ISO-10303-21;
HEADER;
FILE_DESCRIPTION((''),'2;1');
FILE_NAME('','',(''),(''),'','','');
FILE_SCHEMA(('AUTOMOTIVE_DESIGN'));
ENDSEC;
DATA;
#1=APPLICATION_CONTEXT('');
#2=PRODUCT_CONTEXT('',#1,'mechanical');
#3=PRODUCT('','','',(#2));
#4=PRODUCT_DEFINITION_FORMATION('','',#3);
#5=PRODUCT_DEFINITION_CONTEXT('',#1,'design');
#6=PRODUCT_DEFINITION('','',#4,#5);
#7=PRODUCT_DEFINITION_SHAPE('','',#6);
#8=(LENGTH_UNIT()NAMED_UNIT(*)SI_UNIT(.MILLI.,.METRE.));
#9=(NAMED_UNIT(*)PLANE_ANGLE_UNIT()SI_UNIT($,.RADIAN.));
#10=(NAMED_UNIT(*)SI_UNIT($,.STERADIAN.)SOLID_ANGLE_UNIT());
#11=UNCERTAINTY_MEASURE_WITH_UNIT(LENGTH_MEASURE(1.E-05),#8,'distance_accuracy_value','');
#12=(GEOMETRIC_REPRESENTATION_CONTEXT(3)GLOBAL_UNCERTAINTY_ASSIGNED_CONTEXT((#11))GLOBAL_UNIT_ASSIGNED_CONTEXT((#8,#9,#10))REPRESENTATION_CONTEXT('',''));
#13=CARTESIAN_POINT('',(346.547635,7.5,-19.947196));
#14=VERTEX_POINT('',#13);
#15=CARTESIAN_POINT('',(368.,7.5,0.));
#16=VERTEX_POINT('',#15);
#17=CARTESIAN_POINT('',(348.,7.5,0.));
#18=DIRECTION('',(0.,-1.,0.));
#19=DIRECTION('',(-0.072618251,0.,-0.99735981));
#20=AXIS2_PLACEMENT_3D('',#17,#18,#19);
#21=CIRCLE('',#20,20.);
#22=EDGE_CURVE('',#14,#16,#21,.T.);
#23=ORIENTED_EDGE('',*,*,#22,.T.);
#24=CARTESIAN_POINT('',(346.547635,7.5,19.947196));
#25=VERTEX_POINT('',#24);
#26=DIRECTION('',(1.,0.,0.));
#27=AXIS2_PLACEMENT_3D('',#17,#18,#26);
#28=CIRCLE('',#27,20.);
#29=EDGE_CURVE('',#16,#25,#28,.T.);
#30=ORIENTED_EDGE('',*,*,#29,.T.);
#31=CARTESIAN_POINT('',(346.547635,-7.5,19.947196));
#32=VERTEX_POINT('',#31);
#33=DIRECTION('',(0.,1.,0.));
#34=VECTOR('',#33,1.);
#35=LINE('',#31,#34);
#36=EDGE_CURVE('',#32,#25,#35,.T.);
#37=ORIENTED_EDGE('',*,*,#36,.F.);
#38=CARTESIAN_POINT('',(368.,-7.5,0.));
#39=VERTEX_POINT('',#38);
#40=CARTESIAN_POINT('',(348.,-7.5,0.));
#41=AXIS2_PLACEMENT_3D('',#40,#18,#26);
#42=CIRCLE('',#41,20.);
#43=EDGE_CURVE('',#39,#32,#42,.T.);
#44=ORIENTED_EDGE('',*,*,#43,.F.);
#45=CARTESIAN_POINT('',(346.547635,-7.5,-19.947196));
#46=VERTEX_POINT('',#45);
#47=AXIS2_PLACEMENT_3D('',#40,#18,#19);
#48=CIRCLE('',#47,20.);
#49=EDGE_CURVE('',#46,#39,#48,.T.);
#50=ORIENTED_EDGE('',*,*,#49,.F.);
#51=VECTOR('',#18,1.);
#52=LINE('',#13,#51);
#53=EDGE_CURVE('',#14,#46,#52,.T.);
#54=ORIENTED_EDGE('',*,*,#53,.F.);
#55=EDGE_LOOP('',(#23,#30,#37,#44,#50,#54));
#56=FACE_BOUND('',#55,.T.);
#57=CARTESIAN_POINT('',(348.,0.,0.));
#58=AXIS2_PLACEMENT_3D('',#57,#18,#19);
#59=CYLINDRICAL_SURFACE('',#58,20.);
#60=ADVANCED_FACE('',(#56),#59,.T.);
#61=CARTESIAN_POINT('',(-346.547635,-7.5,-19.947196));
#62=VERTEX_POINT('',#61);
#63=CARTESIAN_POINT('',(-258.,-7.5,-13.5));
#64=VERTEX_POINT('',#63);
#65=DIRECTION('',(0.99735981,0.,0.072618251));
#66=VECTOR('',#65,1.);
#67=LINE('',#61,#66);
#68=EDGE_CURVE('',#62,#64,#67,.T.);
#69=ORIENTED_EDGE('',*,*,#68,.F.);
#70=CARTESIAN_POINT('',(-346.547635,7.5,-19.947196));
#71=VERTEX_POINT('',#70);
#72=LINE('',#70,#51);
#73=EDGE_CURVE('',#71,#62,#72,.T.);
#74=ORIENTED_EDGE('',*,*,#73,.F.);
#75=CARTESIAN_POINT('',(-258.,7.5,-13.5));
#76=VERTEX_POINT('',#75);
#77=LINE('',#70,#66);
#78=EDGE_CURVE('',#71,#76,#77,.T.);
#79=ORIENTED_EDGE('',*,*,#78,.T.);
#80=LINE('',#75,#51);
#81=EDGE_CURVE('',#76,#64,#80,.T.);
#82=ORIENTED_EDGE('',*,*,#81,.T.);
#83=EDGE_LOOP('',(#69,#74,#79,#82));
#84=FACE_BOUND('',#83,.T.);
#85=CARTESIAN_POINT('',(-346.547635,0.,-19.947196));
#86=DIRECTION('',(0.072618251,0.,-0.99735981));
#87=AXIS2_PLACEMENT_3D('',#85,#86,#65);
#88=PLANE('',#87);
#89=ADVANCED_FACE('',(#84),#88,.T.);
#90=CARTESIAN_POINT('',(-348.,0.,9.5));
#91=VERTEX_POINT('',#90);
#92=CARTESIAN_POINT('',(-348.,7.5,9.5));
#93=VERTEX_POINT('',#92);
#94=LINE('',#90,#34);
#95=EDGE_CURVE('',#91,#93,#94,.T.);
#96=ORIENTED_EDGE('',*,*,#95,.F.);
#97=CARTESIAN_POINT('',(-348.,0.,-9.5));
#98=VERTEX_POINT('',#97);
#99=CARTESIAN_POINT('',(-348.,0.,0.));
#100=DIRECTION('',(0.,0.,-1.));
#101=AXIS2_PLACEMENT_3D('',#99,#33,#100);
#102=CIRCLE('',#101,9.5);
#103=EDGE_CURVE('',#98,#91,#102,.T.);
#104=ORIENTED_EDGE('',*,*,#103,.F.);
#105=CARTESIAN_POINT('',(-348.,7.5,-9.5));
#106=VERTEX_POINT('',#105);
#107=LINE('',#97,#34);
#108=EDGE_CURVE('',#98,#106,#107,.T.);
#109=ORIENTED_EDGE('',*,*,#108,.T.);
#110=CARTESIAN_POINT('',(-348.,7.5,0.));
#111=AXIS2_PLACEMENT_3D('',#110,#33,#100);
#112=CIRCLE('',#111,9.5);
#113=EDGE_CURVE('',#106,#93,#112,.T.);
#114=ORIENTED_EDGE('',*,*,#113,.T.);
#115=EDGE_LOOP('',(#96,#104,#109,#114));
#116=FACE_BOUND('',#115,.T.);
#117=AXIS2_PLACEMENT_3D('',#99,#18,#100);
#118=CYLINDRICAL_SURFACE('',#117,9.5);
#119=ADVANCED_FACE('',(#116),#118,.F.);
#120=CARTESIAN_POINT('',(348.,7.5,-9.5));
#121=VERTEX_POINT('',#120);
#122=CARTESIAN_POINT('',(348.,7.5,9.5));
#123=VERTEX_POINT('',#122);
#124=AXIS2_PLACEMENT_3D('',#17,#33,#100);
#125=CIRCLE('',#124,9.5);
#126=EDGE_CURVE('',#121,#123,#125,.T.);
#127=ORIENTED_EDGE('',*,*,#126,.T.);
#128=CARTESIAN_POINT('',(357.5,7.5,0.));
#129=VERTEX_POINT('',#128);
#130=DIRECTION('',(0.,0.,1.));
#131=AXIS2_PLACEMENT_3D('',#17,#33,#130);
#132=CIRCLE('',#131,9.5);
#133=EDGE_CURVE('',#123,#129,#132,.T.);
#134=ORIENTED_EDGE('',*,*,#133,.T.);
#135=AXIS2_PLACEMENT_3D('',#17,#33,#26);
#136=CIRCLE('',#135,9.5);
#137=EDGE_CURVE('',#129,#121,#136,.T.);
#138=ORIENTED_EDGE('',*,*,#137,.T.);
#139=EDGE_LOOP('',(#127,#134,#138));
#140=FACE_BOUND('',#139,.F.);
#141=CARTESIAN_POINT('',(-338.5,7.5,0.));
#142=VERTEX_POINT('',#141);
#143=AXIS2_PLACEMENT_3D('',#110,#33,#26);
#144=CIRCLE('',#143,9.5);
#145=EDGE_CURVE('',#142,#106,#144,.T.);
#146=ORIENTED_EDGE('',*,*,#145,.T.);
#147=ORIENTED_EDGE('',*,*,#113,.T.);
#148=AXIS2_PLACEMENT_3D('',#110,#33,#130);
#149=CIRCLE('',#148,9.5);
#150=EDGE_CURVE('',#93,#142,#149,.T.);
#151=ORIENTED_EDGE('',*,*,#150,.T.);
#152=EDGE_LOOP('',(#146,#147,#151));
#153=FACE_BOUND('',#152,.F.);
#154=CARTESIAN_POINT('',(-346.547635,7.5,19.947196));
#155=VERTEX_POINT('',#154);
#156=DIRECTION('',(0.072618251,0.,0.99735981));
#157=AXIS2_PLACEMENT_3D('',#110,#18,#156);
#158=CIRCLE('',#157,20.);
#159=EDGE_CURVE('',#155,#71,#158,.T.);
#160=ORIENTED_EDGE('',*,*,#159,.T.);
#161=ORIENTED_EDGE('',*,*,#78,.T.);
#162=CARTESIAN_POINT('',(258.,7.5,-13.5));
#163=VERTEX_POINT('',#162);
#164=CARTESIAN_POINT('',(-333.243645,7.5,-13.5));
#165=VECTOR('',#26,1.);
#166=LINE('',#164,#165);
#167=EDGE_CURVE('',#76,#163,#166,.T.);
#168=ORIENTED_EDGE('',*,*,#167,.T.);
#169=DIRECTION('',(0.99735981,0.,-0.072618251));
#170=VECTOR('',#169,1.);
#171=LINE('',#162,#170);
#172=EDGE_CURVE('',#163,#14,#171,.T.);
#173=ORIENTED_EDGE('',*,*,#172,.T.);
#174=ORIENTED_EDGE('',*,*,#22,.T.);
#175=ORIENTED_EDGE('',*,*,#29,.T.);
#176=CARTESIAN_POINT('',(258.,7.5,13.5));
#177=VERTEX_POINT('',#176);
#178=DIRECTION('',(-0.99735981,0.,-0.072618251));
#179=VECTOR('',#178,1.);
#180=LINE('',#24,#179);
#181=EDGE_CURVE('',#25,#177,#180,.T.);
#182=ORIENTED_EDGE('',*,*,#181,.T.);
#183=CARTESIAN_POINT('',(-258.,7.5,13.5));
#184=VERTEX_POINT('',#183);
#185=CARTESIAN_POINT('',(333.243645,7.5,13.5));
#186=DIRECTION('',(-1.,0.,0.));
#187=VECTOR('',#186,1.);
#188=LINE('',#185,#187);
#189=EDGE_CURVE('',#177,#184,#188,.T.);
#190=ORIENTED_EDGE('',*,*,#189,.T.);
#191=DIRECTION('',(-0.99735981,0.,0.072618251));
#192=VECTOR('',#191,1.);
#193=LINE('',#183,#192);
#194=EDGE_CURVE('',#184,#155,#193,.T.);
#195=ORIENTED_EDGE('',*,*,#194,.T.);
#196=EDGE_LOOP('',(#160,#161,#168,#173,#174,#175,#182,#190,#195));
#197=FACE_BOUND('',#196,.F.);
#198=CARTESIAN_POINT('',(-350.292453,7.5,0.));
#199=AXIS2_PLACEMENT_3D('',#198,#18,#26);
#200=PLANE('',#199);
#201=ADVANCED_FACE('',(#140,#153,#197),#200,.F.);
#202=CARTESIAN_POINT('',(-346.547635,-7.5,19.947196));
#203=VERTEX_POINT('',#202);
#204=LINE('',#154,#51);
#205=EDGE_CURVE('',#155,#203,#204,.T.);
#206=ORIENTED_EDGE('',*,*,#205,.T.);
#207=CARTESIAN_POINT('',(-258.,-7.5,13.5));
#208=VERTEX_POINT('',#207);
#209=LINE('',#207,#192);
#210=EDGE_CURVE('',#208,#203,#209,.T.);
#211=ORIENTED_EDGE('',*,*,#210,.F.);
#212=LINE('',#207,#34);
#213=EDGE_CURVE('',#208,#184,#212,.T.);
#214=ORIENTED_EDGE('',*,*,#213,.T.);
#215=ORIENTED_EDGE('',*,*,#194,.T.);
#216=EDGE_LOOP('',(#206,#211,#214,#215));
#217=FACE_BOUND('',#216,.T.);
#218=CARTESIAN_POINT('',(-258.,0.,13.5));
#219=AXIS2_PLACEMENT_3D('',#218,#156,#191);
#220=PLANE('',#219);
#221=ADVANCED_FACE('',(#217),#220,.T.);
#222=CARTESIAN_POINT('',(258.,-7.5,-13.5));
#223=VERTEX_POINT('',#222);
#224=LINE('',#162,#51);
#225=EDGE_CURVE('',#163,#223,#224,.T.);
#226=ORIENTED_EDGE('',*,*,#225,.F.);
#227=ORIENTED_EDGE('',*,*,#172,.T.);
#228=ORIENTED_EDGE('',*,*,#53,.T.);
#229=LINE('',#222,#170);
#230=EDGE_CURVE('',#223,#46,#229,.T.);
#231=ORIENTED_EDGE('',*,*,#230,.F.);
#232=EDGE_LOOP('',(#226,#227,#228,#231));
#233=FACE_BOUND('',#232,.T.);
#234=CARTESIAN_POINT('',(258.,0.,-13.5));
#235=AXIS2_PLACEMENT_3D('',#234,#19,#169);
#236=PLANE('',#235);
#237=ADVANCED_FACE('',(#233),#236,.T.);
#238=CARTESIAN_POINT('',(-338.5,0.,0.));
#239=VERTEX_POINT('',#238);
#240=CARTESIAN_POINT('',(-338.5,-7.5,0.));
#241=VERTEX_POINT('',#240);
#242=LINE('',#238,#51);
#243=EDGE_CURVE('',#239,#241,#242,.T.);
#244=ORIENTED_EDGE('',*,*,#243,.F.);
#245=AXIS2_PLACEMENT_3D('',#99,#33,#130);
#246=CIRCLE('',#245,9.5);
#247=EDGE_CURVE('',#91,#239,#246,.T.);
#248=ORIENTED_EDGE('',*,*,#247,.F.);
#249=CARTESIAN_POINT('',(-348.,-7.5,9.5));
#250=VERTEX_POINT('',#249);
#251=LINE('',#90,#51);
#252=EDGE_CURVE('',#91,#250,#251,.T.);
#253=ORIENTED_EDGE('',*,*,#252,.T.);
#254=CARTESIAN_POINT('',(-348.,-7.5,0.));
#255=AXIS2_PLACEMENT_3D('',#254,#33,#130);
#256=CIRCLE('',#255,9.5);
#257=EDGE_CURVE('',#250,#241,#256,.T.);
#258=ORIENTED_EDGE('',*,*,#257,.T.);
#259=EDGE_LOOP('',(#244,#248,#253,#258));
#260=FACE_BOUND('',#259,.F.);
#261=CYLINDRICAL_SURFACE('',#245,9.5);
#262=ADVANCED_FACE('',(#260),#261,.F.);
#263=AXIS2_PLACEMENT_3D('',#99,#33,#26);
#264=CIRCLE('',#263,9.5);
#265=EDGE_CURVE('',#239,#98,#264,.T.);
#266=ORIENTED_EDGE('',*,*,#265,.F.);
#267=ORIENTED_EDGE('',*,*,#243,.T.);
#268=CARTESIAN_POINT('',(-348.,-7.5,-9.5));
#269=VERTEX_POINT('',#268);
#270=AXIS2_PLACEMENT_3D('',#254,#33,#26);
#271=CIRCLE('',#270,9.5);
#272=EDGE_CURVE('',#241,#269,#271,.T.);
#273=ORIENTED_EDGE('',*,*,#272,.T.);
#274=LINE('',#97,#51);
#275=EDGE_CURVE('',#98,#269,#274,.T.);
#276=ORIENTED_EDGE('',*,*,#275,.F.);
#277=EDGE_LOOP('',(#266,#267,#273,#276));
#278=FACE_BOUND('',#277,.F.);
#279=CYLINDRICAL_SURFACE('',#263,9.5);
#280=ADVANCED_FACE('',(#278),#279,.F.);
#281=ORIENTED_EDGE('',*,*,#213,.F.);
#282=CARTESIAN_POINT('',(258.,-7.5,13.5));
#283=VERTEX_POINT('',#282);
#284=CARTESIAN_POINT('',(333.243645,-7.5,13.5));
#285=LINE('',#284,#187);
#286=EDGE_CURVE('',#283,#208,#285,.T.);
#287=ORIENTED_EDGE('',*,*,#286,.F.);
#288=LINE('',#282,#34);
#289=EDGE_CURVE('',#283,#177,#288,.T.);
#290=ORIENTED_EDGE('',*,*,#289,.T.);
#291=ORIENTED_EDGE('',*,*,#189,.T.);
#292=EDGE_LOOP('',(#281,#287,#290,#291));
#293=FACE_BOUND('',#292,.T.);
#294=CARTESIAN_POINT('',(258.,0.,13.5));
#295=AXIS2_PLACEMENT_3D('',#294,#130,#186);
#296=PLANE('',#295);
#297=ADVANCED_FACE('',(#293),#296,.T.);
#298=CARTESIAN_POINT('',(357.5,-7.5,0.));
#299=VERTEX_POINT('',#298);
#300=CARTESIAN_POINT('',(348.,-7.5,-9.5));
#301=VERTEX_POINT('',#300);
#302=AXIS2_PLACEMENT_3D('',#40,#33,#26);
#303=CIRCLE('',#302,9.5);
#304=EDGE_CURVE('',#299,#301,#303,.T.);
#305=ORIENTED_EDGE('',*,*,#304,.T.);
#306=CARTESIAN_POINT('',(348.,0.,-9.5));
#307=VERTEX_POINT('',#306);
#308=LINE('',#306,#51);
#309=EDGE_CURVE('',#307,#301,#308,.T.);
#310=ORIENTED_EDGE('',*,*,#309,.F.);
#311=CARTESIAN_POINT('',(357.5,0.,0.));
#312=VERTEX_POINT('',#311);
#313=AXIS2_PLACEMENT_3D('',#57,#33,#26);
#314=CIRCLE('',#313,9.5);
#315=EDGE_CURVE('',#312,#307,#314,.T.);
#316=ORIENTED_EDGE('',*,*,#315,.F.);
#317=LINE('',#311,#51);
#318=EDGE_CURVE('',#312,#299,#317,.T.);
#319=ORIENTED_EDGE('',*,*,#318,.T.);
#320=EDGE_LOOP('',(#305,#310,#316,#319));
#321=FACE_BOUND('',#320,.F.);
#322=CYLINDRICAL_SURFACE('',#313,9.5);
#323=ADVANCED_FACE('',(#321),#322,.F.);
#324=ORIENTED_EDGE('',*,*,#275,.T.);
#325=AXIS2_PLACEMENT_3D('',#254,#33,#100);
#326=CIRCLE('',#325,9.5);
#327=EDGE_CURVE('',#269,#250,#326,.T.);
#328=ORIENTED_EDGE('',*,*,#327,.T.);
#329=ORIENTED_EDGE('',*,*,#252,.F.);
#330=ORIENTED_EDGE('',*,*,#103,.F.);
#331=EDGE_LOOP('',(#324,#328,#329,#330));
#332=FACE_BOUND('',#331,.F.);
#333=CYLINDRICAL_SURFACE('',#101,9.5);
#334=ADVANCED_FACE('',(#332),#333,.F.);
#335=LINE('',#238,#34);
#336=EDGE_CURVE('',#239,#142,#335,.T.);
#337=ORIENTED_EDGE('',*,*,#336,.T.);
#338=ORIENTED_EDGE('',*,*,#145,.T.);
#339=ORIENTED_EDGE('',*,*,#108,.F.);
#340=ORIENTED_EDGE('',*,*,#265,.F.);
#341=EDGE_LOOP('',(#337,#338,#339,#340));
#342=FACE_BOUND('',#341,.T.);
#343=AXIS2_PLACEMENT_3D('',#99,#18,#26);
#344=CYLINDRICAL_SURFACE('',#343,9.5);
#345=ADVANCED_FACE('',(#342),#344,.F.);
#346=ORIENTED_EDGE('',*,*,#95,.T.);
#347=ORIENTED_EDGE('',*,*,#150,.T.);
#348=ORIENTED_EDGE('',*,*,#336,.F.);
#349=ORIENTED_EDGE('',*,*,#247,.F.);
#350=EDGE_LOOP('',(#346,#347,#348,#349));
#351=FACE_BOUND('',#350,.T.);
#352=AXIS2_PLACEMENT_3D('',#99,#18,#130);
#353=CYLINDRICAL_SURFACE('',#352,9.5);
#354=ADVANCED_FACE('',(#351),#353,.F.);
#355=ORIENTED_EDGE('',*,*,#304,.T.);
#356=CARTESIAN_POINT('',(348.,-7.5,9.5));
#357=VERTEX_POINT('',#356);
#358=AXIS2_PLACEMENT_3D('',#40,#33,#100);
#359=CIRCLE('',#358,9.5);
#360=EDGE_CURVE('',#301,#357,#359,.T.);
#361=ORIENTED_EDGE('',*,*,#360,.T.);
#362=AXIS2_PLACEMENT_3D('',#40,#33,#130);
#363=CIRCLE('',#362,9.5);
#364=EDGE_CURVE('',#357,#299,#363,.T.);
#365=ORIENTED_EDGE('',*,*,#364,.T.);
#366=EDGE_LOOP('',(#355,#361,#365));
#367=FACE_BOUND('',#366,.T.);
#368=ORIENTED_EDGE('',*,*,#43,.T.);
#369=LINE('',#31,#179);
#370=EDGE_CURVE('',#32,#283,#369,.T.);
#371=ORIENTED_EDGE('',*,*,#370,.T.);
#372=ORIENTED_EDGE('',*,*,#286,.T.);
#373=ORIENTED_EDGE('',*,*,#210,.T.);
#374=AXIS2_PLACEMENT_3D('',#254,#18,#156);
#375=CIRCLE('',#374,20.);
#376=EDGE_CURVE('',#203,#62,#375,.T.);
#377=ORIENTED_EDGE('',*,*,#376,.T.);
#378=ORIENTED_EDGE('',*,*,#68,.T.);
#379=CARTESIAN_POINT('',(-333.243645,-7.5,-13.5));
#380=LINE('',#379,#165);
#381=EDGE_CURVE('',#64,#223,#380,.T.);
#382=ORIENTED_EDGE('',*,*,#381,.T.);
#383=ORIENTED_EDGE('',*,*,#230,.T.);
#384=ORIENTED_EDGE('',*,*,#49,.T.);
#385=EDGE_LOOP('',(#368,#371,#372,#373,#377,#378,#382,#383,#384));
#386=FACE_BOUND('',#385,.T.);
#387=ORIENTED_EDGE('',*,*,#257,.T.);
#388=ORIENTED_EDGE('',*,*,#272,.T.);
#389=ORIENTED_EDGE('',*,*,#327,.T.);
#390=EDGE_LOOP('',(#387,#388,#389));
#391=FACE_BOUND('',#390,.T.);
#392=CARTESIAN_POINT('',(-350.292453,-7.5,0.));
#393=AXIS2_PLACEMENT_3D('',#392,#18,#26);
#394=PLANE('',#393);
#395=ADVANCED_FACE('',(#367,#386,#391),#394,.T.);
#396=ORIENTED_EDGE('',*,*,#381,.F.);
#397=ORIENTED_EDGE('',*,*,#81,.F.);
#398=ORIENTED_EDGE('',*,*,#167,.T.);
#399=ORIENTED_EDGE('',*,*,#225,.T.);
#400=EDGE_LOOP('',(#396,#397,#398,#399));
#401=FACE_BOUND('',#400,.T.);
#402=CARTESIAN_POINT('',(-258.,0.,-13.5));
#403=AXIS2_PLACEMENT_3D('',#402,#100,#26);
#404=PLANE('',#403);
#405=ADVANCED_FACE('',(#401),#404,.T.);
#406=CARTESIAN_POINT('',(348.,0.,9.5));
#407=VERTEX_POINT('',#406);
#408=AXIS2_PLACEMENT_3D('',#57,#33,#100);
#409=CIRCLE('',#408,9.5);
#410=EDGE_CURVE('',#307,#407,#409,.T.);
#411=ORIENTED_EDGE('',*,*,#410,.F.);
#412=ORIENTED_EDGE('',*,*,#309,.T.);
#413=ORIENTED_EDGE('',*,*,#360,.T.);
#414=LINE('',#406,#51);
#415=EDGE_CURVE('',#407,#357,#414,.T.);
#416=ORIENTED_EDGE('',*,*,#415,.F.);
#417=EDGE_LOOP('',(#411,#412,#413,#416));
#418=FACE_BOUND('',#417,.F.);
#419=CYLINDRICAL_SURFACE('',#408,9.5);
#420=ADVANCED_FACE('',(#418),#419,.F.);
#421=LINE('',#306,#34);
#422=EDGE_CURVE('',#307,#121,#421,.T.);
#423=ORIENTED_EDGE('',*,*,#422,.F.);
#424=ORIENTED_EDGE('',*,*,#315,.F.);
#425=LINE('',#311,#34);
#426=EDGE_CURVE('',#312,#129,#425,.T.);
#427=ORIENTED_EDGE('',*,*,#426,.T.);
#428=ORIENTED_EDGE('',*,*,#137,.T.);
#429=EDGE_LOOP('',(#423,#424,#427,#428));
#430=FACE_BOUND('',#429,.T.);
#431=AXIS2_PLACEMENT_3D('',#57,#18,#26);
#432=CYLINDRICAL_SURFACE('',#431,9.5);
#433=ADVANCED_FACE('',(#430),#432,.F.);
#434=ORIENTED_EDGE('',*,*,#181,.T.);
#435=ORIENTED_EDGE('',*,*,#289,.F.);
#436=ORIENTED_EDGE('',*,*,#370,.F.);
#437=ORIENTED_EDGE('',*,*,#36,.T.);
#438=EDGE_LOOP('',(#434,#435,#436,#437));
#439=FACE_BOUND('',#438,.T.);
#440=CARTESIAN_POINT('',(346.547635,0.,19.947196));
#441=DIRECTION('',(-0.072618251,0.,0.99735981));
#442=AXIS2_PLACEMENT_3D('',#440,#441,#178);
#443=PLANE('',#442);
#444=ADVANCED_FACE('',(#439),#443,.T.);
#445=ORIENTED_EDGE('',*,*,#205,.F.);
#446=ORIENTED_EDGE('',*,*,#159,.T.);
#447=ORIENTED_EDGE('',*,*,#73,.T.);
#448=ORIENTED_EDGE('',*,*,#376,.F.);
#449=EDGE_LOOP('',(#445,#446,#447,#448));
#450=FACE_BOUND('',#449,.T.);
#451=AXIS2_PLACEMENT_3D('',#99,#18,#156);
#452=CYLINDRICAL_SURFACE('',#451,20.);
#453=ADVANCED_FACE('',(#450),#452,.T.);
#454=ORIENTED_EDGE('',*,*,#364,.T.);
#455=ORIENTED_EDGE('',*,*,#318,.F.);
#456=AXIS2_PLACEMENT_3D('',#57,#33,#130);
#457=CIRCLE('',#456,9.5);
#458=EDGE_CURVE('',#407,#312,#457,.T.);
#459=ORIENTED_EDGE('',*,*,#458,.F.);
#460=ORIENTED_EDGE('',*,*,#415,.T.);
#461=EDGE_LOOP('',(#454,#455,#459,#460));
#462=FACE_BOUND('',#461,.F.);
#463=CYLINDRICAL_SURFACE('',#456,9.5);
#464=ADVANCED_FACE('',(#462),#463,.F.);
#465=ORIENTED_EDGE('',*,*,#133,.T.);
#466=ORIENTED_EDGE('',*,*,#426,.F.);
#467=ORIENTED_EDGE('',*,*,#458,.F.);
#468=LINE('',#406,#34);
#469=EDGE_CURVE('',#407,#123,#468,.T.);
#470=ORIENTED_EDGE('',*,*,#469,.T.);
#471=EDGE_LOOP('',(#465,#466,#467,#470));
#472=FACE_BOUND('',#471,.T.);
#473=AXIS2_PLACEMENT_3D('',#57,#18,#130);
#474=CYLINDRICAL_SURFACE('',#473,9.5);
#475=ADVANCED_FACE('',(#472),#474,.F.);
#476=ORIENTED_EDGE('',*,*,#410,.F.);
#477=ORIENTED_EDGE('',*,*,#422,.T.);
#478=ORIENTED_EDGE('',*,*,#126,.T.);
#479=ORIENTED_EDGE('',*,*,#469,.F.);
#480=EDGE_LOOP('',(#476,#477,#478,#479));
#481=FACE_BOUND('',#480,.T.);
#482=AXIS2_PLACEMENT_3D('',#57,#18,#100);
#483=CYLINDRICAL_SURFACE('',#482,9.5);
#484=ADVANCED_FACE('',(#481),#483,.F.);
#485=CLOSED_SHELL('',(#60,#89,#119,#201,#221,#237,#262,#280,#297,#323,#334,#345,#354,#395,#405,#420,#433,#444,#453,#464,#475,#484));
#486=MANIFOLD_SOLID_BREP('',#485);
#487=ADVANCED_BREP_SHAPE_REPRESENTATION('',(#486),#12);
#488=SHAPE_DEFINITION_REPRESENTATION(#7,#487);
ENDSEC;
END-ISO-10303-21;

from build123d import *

# Parameters (mm, degrees)
F1_DEPTH = 7.5


with BuildPart() as f1:
    # F0 (on Front) → F1 (new body, symmetric)
    with BuildSketch(Plane.XZ):
        with BuildLine():
            Line((-348, 13.5), (-333.2436454366, 13.5))
            ThreePointArc((-333.2436454366, 13.5), (-339.2780602915, 17.997993436), (-346.5476349841, 19.9471961905))
            ThreePointArc((-346.5476349841, 19.9471961905), (-368, 0), (-346.5476349841, -19.9471961905))
            ThreePointArc((-346.5476349841, -19.9471961905), (-339.2780602915, -17.997993436), (-333.2436454366, -13.5))
            Line((-333.2436454366, -13.5), (-348, -13.5))
            Line((-348, -13.5), (-348, -9.5))
            ThreePointArc((-348, -9.5), (-357.5, 0), (-348, 9.5))
            Line((-348, 9.5), (-348, 13.5))
        make_face()
        with BuildLine():
            Line((-333.2436454366, 13.5), (-258, 13.5))
            Line((-258, 13.5), (-346.5476349841, 19.9471961905))
            ThreePointArc((-346.5476349841, 19.9471961905), (-339.2780602915, 17.997993436), (-333.2436454366, 13.5))
        make_face()
        with BuildLine():
            ThreePointArc((-333.2436454366, -13.5), (-339.2780602915, -17.997993436), (-346.5476349841, -19.9471961905))
            Line((-346.5476349841, -19.9471961905), (-258, -13.5))
            Line((-258, -13.5), (-333.2436454366, -13.5))
        make_face()
        with BuildLine():
            ThreePointArc((-328, 0), (-329.356943769, 7.24130198), (-333.2436454366, 13.5))
            Line((-333.2436454366, 13.5), (-348, 13.5))
            Line((-348, 13.5), (-348, 9.5))
            ThreePointArc((-348, 9.5), (-341.2824855787, 6.7175144213), (-338.5, 0))
            ThreePointArc((-338.5, 0), (-341.2824855787, -6.7175144213), (-348, -9.5))
            Line((-348, -9.5), (-348, -13.5))
            Line((-348, -13.5), (-333.2436454366, -13.5))
            ThreePointArc((-333.2436454366, -13.5), (-329.356943769, -7.24130198), (-328, 0))
        make_face()
        with BuildLine():
            Line((333.2436454366, 13.5), (258, 13.5))
            Line((258, 13.5), (-258, 13.5))
            Line((-258, 13.5), (-333.2436454366, 13.5))
            ThreePointArc((-333.2436454366, 13.5), (-329.356943769, 7.24130198), (-328, 0))
            ThreePointArc((-328, 0), (-329.356943769, -7.24130198), (-333.2436454366, -13.5))
            Line((-333.2436454366, -13.5), (-258, -13.5))
            Line((-258, -13.5), (258, -13.5))
            Line((258, -13.5), (333.2436454366, -13.5))
            ThreePointArc((333.2436454366, -13.5), (328, 0), (333.2436454366, 13.5))
        make_face()
        with BuildLine():
            Line((346.5476349841, 19.9471961905), (258, 13.5))
            Line((258, 13.5), (333.2436454366, 13.5))
            ThreePointArc((333.2436454366, 13.5), (339.2780602915, 17.997993436), (346.5476349841, 19.9471961905))
        make_face()
        with BuildLine():
            ThreePointArc((346.5476349841, -19.9471961905), (339.2780602915, -17.997993436), (333.2436454366, -13.5))
            Line((333.2436454366, -13.5), (258, -13.5))
            Line((258, -13.5), (346.5476349841, -19.9471961905))
        make_face()
        with BuildLine():
            Line((348, 13.5), (333.2436454366, 13.5))
            ThreePointArc((333.2436454366, 13.5), (328, 0), (333.2436454366, -13.5))
            Line((333.2436454366, -13.5), (348, -13.5))
            Line((348, -13.5), (348, -9.5))
            ThreePointArc((348, -9.5), (338.5, 0), (348, 9.5))
            Line((348, 9.5), (348, 13.5))
        make_face()
        with BuildLine():
            ThreePointArc((346.5476349841, 19.9471961905), (339.2780602915, 17.997993436), (333.2436454366, 13.5))
            Line((333.2436454366, 13.5), (348, 13.5))
            Line((348, 13.5), (348, 9.5))
            ThreePointArc((348, 9.5), (354.7175144213, 6.7175144213), (357.5, 0))
            ThreePointArc((357.5, 0), (354.7175144213, -6.7175144213), (348, -9.5))
            Line((348, -9.5), (348, -13.5))
            Line((348, -13.5), (333.2436454366, -13.5))
            ThreePointArc((333.2436454366, -13.5), (339.2780602915, -17.997993436), (346.5476349841, -19.9471961905))
            ThreePointArc((346.5476349841, -19.9471961905), (361.6189702196, -14.6466258967), (368, 0))
            ThreePointArc((368, 0), (361.6189702196, 14.6466258967), (346.5476349841, 19.9471961905))
        make_face()
    extrude(amount=F1_DEPTH, both=True)


solid = f1.part
